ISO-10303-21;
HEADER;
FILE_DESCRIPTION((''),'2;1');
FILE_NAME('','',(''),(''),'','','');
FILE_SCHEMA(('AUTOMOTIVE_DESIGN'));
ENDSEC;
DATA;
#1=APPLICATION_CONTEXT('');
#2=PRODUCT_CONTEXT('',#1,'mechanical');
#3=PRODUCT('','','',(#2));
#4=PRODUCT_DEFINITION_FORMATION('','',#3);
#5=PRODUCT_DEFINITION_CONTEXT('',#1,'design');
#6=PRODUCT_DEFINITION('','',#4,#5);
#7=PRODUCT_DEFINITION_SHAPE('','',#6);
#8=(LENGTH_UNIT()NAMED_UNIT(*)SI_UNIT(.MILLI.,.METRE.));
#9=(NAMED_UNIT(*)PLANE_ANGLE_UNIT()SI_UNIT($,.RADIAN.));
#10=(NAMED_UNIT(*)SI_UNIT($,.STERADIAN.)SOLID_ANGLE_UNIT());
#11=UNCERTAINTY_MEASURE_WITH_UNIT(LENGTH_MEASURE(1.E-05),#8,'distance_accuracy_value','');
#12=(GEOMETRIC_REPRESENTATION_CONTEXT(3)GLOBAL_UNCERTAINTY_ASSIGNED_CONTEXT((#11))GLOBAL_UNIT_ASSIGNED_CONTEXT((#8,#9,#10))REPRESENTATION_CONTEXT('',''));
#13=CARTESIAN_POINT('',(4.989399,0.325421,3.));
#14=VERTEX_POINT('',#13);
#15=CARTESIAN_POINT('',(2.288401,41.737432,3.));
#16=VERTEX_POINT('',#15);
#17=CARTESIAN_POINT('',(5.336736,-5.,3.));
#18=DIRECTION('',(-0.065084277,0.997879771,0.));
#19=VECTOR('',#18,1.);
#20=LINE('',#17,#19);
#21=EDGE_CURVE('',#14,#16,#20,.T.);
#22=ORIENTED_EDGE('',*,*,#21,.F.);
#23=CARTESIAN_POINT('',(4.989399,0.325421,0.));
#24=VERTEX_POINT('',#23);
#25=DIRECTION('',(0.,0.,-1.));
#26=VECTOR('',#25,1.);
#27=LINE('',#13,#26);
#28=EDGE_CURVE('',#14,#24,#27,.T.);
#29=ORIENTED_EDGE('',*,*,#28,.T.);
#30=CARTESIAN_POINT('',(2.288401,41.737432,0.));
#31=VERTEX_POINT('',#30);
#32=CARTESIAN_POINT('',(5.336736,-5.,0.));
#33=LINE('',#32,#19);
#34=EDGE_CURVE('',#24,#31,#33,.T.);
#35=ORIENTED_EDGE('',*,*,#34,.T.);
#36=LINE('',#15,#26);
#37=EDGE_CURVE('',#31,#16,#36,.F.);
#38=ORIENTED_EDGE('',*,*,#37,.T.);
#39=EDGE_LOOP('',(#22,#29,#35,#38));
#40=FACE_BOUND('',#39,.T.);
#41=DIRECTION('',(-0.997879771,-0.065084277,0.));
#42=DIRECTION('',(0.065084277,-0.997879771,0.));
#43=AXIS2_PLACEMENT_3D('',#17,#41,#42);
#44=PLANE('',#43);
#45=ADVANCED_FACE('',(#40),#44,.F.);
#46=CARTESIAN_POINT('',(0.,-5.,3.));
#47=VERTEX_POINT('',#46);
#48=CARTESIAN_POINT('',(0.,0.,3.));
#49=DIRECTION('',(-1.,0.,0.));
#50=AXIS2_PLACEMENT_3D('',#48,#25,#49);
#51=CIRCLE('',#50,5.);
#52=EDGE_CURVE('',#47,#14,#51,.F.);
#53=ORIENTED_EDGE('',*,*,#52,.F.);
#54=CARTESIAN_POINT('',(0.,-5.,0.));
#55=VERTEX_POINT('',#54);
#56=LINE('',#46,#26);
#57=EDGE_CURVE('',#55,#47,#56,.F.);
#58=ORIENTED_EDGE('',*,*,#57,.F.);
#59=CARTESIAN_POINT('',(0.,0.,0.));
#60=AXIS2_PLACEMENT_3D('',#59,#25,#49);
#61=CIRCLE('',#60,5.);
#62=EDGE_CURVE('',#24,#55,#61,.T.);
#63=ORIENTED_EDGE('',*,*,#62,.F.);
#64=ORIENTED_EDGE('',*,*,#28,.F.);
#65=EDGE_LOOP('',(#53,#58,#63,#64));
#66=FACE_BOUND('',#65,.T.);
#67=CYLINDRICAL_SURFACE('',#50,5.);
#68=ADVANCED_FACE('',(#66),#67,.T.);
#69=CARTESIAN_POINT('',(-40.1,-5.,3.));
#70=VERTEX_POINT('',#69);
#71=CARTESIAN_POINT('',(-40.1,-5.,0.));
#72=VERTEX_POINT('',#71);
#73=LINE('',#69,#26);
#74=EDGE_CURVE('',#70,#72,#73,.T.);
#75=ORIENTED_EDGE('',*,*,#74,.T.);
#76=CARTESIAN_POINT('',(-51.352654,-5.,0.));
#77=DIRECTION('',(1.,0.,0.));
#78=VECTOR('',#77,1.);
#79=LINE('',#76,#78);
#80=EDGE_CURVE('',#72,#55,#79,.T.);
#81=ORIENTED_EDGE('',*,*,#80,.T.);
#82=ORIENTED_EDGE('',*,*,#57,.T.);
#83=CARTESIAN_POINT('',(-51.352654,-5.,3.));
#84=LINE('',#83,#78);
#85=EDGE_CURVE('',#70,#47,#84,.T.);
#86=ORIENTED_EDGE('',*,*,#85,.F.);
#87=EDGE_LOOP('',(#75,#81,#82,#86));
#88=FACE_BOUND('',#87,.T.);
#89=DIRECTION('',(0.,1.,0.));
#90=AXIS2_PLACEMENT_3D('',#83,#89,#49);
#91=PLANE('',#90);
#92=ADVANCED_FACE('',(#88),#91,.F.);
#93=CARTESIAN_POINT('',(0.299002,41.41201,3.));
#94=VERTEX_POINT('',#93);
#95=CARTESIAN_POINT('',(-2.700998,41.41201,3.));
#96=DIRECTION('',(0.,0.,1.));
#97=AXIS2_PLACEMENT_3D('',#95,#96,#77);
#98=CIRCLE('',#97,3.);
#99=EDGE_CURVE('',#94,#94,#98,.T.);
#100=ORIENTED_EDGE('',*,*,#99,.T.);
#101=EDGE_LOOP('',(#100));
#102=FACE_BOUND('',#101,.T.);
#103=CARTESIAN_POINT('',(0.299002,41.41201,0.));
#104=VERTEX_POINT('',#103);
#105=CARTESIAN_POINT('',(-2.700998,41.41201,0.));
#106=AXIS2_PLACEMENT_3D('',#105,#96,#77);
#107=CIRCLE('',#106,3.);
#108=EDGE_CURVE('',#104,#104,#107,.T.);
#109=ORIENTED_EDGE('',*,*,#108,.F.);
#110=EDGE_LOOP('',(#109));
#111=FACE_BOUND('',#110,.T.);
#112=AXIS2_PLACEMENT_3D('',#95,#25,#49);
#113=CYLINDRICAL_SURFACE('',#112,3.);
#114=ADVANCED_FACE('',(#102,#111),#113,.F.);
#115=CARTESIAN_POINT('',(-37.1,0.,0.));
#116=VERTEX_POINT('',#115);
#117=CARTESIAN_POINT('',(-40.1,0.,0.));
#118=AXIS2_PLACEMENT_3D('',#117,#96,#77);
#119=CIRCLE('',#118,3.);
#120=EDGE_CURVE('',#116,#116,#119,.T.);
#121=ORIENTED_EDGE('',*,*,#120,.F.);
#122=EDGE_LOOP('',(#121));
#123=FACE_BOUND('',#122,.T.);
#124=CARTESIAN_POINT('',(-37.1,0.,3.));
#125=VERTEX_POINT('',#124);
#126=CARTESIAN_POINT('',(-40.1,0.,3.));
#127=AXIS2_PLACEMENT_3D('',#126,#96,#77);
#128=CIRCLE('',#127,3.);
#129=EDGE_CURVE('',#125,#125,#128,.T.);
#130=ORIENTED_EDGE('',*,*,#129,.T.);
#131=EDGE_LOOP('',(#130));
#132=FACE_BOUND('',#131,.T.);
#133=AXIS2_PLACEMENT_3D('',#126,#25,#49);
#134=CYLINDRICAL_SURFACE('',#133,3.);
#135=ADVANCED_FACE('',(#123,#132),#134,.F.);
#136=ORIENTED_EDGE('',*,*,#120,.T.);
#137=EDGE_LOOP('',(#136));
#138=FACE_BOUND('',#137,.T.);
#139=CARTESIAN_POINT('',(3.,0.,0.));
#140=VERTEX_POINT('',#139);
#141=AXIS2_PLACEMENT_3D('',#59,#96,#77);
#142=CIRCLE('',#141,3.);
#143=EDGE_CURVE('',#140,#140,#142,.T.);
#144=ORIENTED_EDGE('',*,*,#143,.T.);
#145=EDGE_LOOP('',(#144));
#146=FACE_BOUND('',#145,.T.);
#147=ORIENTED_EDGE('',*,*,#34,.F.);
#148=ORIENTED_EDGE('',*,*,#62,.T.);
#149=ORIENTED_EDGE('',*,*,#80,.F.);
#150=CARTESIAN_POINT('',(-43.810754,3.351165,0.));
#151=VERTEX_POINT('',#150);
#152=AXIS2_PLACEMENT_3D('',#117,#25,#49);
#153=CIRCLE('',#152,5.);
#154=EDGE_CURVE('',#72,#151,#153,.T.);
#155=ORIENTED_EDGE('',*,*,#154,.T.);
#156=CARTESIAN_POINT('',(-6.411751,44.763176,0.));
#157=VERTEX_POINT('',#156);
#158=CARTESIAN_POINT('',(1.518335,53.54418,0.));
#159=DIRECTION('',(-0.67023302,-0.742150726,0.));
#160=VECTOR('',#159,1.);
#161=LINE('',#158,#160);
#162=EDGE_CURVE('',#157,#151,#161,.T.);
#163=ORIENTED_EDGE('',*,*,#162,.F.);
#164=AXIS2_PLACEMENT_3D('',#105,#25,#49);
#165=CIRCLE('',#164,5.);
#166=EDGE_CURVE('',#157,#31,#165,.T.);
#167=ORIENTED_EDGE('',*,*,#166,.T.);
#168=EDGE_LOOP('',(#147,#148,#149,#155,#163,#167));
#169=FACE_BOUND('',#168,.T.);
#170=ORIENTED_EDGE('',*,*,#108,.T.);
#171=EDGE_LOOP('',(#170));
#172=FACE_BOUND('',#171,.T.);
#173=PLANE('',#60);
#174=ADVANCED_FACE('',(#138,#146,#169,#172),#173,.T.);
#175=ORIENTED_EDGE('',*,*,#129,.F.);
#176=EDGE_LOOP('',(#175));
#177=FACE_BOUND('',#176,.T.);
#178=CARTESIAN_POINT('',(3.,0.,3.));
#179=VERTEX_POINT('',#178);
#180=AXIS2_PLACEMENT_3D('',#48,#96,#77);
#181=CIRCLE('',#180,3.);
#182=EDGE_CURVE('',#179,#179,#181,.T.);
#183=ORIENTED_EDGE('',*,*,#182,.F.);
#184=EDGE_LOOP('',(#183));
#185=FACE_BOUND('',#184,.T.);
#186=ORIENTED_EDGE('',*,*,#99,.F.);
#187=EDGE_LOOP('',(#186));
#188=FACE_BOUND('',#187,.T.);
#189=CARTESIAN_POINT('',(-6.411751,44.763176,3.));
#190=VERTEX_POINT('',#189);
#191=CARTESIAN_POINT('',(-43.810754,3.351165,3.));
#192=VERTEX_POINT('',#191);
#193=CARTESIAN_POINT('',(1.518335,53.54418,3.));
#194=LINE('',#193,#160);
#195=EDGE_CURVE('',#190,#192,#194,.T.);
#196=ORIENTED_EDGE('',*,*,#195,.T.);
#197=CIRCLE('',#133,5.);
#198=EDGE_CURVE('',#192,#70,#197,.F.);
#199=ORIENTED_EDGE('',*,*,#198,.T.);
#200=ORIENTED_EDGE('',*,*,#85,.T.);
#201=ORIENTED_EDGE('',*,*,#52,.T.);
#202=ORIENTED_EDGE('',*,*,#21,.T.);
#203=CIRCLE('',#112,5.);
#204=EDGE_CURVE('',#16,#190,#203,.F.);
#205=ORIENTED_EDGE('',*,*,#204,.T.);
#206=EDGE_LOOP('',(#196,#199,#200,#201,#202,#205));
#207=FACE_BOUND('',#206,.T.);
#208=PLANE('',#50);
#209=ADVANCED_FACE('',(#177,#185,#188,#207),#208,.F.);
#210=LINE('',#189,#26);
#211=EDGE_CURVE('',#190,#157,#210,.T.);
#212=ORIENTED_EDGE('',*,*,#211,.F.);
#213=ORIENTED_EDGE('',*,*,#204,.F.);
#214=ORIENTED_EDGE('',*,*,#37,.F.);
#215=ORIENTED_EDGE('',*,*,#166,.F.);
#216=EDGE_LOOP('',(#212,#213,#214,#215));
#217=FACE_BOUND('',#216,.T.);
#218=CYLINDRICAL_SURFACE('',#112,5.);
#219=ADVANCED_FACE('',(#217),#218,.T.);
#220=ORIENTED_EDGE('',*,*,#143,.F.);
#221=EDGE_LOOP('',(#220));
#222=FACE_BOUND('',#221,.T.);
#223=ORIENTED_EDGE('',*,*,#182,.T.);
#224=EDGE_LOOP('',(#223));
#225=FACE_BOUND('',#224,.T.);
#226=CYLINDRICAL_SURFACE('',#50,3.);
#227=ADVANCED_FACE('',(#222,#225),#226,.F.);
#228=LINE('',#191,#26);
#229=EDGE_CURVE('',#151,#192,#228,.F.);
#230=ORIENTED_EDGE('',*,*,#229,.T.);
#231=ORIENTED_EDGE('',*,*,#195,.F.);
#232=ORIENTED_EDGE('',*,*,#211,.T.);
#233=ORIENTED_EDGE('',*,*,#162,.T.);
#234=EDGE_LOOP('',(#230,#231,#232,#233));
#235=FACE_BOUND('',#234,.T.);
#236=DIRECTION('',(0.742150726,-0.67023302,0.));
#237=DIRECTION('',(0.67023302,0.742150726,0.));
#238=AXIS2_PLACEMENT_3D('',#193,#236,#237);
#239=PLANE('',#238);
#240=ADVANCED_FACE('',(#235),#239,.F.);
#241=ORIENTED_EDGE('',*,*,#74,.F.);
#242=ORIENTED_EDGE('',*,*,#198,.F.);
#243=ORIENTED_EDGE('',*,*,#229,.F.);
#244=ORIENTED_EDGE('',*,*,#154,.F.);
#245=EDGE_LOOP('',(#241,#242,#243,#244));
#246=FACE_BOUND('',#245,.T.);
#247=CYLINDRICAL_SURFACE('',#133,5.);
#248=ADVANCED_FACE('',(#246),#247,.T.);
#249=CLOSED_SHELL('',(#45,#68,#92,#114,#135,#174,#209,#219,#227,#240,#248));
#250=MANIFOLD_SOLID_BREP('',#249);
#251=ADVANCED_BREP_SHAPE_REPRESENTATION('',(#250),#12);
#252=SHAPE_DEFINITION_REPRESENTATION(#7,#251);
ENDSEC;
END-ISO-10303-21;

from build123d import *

# Parameters (mm, degrees)
SKETCH_1_R      = 3
EXTRUDE_1_DEPTH = 3
FILLET_1_R      = 5


with BuildPart() as part:
    # ｽｹｯﾁ1 → ﾎﾞｽ - 押し出し1 (new body)
    with BuildSketch(Plane.XY):
        Polygon((1.518334957, 53.544180062), (-51.352653687, -5), (5.336736491, -5), align=None)
        with Locations((-2.700997506, 41.412010486)):
            Circle(SKETCH_1_R, mode=Mode.SUBTRACT)
        with Locations((-40.1, 0)):
            Circle(SKETCH_1_R, mode=Mode.SUBTRACT)
        Circle(SKETCH_1_R, mode=Mode.SUBTRACT)
    extrude(amount=EXTRUDE_1_DEPTH)

    # ﾌｨﾚｯﾄ1
    fillet_1_edges = [part.edges().sort_by_distance(p)[0] for p in [
        (5.336736491, -5, 1.5),
        (-51.352653687, -5, 1.5),
        (1.518334957, 53.544180062, 1.5),
    ]]
    fillet(fillet_1_edges, radius=FILLET_1_R)


solid = part.part
